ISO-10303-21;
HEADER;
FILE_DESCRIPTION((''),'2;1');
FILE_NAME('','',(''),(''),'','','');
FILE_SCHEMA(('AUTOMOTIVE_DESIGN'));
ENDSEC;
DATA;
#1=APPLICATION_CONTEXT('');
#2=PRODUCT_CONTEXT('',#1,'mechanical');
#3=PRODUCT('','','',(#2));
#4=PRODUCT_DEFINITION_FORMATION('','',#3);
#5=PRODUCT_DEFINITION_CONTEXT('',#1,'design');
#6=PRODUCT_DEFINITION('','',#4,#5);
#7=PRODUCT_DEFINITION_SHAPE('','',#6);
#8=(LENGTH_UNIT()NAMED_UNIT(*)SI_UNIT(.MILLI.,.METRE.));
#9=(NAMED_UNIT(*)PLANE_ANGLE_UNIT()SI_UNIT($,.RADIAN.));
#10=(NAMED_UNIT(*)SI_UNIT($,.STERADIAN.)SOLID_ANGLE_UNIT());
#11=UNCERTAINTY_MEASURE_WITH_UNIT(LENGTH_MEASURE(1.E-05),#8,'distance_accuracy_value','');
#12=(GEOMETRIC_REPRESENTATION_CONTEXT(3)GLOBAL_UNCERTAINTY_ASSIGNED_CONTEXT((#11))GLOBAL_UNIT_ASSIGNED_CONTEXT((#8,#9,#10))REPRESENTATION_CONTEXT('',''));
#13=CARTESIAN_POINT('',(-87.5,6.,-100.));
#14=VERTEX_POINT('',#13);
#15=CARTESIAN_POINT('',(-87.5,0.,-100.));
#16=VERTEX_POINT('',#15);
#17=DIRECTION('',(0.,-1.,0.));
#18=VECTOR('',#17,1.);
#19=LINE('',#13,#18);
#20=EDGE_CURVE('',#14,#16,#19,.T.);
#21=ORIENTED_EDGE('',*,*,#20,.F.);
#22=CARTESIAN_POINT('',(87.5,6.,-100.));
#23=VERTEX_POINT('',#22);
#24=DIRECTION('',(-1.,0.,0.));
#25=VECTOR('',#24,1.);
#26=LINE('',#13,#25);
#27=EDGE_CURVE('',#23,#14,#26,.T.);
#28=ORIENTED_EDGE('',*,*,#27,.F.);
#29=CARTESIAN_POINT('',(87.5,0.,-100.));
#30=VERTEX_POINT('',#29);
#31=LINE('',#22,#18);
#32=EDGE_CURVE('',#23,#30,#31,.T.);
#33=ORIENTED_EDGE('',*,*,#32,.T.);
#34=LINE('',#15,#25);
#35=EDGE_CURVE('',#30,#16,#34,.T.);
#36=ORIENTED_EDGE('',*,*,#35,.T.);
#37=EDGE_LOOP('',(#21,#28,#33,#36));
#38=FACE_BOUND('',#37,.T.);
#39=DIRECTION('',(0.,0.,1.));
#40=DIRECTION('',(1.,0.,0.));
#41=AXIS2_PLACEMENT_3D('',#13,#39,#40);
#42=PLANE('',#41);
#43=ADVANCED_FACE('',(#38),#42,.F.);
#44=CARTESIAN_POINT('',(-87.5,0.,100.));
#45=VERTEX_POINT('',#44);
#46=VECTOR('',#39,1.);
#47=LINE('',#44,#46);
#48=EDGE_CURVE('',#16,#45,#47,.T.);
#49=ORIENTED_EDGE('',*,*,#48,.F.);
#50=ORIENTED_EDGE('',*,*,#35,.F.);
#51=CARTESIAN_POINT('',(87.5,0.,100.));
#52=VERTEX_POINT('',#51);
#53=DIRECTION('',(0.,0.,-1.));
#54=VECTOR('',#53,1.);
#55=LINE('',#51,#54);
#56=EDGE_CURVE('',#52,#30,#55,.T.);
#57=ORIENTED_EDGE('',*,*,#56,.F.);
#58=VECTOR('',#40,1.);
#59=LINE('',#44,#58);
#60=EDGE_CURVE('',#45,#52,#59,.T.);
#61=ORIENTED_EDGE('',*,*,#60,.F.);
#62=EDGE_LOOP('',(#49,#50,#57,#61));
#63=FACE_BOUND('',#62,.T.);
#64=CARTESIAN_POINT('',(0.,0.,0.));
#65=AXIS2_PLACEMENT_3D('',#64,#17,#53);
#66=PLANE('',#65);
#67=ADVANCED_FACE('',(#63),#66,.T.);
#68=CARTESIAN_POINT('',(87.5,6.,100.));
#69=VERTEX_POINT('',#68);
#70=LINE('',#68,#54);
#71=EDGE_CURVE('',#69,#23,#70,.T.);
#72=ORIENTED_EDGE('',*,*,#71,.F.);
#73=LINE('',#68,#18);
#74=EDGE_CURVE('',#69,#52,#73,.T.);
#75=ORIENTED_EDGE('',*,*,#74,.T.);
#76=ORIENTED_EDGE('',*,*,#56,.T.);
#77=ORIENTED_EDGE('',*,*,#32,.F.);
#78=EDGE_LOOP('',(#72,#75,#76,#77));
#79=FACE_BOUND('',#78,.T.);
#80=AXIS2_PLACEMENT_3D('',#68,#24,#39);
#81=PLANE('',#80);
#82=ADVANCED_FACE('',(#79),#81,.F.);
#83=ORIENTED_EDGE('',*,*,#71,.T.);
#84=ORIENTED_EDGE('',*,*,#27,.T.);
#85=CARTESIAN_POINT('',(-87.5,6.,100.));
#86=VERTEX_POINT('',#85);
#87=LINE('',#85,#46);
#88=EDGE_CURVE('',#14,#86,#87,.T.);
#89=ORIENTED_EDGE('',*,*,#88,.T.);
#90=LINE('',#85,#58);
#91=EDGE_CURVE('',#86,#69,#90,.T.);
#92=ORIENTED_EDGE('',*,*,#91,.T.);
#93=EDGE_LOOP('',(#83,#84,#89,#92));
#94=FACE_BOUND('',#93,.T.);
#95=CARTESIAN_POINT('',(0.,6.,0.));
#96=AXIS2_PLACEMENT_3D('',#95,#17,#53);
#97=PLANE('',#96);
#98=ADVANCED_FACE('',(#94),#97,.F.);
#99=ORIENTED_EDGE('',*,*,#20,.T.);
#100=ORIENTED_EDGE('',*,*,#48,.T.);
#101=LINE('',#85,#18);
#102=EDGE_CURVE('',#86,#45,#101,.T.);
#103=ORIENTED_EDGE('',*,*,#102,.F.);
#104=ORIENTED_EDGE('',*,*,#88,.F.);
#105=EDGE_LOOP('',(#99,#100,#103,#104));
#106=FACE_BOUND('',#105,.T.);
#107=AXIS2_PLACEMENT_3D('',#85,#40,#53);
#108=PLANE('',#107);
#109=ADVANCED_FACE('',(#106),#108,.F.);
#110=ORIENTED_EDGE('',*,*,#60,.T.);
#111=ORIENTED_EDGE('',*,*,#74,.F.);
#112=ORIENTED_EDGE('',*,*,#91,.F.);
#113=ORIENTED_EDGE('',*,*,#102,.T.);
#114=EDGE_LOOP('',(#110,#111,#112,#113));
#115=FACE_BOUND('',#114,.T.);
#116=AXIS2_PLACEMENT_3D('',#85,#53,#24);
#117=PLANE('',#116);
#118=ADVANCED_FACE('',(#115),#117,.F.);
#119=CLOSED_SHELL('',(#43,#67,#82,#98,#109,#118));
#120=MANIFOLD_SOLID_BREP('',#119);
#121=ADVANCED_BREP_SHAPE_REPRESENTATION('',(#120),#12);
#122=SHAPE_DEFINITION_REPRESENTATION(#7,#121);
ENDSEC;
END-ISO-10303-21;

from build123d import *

# Parameters (mm, degrees)
ESBO_O1_W                = 175
ESBO_O1_H                = 200
RESSALTO_EXTRUS_O1_DEPTH = 6


with BuildPart() as part:
    # Esboço1 → Ressalto-extrusão1 (new body)
    with BuildSketch(Plane(origin=(0, 0, 0), x_dir=(1, 0, 0), z_dir=(0, 1, 0))):
        Rectangle(ESBO_O1_W, ESBO_O1_H)
    extrude(amount=RESSALTO_EXTRUS_O1_DEPTH)


solid = part.part
